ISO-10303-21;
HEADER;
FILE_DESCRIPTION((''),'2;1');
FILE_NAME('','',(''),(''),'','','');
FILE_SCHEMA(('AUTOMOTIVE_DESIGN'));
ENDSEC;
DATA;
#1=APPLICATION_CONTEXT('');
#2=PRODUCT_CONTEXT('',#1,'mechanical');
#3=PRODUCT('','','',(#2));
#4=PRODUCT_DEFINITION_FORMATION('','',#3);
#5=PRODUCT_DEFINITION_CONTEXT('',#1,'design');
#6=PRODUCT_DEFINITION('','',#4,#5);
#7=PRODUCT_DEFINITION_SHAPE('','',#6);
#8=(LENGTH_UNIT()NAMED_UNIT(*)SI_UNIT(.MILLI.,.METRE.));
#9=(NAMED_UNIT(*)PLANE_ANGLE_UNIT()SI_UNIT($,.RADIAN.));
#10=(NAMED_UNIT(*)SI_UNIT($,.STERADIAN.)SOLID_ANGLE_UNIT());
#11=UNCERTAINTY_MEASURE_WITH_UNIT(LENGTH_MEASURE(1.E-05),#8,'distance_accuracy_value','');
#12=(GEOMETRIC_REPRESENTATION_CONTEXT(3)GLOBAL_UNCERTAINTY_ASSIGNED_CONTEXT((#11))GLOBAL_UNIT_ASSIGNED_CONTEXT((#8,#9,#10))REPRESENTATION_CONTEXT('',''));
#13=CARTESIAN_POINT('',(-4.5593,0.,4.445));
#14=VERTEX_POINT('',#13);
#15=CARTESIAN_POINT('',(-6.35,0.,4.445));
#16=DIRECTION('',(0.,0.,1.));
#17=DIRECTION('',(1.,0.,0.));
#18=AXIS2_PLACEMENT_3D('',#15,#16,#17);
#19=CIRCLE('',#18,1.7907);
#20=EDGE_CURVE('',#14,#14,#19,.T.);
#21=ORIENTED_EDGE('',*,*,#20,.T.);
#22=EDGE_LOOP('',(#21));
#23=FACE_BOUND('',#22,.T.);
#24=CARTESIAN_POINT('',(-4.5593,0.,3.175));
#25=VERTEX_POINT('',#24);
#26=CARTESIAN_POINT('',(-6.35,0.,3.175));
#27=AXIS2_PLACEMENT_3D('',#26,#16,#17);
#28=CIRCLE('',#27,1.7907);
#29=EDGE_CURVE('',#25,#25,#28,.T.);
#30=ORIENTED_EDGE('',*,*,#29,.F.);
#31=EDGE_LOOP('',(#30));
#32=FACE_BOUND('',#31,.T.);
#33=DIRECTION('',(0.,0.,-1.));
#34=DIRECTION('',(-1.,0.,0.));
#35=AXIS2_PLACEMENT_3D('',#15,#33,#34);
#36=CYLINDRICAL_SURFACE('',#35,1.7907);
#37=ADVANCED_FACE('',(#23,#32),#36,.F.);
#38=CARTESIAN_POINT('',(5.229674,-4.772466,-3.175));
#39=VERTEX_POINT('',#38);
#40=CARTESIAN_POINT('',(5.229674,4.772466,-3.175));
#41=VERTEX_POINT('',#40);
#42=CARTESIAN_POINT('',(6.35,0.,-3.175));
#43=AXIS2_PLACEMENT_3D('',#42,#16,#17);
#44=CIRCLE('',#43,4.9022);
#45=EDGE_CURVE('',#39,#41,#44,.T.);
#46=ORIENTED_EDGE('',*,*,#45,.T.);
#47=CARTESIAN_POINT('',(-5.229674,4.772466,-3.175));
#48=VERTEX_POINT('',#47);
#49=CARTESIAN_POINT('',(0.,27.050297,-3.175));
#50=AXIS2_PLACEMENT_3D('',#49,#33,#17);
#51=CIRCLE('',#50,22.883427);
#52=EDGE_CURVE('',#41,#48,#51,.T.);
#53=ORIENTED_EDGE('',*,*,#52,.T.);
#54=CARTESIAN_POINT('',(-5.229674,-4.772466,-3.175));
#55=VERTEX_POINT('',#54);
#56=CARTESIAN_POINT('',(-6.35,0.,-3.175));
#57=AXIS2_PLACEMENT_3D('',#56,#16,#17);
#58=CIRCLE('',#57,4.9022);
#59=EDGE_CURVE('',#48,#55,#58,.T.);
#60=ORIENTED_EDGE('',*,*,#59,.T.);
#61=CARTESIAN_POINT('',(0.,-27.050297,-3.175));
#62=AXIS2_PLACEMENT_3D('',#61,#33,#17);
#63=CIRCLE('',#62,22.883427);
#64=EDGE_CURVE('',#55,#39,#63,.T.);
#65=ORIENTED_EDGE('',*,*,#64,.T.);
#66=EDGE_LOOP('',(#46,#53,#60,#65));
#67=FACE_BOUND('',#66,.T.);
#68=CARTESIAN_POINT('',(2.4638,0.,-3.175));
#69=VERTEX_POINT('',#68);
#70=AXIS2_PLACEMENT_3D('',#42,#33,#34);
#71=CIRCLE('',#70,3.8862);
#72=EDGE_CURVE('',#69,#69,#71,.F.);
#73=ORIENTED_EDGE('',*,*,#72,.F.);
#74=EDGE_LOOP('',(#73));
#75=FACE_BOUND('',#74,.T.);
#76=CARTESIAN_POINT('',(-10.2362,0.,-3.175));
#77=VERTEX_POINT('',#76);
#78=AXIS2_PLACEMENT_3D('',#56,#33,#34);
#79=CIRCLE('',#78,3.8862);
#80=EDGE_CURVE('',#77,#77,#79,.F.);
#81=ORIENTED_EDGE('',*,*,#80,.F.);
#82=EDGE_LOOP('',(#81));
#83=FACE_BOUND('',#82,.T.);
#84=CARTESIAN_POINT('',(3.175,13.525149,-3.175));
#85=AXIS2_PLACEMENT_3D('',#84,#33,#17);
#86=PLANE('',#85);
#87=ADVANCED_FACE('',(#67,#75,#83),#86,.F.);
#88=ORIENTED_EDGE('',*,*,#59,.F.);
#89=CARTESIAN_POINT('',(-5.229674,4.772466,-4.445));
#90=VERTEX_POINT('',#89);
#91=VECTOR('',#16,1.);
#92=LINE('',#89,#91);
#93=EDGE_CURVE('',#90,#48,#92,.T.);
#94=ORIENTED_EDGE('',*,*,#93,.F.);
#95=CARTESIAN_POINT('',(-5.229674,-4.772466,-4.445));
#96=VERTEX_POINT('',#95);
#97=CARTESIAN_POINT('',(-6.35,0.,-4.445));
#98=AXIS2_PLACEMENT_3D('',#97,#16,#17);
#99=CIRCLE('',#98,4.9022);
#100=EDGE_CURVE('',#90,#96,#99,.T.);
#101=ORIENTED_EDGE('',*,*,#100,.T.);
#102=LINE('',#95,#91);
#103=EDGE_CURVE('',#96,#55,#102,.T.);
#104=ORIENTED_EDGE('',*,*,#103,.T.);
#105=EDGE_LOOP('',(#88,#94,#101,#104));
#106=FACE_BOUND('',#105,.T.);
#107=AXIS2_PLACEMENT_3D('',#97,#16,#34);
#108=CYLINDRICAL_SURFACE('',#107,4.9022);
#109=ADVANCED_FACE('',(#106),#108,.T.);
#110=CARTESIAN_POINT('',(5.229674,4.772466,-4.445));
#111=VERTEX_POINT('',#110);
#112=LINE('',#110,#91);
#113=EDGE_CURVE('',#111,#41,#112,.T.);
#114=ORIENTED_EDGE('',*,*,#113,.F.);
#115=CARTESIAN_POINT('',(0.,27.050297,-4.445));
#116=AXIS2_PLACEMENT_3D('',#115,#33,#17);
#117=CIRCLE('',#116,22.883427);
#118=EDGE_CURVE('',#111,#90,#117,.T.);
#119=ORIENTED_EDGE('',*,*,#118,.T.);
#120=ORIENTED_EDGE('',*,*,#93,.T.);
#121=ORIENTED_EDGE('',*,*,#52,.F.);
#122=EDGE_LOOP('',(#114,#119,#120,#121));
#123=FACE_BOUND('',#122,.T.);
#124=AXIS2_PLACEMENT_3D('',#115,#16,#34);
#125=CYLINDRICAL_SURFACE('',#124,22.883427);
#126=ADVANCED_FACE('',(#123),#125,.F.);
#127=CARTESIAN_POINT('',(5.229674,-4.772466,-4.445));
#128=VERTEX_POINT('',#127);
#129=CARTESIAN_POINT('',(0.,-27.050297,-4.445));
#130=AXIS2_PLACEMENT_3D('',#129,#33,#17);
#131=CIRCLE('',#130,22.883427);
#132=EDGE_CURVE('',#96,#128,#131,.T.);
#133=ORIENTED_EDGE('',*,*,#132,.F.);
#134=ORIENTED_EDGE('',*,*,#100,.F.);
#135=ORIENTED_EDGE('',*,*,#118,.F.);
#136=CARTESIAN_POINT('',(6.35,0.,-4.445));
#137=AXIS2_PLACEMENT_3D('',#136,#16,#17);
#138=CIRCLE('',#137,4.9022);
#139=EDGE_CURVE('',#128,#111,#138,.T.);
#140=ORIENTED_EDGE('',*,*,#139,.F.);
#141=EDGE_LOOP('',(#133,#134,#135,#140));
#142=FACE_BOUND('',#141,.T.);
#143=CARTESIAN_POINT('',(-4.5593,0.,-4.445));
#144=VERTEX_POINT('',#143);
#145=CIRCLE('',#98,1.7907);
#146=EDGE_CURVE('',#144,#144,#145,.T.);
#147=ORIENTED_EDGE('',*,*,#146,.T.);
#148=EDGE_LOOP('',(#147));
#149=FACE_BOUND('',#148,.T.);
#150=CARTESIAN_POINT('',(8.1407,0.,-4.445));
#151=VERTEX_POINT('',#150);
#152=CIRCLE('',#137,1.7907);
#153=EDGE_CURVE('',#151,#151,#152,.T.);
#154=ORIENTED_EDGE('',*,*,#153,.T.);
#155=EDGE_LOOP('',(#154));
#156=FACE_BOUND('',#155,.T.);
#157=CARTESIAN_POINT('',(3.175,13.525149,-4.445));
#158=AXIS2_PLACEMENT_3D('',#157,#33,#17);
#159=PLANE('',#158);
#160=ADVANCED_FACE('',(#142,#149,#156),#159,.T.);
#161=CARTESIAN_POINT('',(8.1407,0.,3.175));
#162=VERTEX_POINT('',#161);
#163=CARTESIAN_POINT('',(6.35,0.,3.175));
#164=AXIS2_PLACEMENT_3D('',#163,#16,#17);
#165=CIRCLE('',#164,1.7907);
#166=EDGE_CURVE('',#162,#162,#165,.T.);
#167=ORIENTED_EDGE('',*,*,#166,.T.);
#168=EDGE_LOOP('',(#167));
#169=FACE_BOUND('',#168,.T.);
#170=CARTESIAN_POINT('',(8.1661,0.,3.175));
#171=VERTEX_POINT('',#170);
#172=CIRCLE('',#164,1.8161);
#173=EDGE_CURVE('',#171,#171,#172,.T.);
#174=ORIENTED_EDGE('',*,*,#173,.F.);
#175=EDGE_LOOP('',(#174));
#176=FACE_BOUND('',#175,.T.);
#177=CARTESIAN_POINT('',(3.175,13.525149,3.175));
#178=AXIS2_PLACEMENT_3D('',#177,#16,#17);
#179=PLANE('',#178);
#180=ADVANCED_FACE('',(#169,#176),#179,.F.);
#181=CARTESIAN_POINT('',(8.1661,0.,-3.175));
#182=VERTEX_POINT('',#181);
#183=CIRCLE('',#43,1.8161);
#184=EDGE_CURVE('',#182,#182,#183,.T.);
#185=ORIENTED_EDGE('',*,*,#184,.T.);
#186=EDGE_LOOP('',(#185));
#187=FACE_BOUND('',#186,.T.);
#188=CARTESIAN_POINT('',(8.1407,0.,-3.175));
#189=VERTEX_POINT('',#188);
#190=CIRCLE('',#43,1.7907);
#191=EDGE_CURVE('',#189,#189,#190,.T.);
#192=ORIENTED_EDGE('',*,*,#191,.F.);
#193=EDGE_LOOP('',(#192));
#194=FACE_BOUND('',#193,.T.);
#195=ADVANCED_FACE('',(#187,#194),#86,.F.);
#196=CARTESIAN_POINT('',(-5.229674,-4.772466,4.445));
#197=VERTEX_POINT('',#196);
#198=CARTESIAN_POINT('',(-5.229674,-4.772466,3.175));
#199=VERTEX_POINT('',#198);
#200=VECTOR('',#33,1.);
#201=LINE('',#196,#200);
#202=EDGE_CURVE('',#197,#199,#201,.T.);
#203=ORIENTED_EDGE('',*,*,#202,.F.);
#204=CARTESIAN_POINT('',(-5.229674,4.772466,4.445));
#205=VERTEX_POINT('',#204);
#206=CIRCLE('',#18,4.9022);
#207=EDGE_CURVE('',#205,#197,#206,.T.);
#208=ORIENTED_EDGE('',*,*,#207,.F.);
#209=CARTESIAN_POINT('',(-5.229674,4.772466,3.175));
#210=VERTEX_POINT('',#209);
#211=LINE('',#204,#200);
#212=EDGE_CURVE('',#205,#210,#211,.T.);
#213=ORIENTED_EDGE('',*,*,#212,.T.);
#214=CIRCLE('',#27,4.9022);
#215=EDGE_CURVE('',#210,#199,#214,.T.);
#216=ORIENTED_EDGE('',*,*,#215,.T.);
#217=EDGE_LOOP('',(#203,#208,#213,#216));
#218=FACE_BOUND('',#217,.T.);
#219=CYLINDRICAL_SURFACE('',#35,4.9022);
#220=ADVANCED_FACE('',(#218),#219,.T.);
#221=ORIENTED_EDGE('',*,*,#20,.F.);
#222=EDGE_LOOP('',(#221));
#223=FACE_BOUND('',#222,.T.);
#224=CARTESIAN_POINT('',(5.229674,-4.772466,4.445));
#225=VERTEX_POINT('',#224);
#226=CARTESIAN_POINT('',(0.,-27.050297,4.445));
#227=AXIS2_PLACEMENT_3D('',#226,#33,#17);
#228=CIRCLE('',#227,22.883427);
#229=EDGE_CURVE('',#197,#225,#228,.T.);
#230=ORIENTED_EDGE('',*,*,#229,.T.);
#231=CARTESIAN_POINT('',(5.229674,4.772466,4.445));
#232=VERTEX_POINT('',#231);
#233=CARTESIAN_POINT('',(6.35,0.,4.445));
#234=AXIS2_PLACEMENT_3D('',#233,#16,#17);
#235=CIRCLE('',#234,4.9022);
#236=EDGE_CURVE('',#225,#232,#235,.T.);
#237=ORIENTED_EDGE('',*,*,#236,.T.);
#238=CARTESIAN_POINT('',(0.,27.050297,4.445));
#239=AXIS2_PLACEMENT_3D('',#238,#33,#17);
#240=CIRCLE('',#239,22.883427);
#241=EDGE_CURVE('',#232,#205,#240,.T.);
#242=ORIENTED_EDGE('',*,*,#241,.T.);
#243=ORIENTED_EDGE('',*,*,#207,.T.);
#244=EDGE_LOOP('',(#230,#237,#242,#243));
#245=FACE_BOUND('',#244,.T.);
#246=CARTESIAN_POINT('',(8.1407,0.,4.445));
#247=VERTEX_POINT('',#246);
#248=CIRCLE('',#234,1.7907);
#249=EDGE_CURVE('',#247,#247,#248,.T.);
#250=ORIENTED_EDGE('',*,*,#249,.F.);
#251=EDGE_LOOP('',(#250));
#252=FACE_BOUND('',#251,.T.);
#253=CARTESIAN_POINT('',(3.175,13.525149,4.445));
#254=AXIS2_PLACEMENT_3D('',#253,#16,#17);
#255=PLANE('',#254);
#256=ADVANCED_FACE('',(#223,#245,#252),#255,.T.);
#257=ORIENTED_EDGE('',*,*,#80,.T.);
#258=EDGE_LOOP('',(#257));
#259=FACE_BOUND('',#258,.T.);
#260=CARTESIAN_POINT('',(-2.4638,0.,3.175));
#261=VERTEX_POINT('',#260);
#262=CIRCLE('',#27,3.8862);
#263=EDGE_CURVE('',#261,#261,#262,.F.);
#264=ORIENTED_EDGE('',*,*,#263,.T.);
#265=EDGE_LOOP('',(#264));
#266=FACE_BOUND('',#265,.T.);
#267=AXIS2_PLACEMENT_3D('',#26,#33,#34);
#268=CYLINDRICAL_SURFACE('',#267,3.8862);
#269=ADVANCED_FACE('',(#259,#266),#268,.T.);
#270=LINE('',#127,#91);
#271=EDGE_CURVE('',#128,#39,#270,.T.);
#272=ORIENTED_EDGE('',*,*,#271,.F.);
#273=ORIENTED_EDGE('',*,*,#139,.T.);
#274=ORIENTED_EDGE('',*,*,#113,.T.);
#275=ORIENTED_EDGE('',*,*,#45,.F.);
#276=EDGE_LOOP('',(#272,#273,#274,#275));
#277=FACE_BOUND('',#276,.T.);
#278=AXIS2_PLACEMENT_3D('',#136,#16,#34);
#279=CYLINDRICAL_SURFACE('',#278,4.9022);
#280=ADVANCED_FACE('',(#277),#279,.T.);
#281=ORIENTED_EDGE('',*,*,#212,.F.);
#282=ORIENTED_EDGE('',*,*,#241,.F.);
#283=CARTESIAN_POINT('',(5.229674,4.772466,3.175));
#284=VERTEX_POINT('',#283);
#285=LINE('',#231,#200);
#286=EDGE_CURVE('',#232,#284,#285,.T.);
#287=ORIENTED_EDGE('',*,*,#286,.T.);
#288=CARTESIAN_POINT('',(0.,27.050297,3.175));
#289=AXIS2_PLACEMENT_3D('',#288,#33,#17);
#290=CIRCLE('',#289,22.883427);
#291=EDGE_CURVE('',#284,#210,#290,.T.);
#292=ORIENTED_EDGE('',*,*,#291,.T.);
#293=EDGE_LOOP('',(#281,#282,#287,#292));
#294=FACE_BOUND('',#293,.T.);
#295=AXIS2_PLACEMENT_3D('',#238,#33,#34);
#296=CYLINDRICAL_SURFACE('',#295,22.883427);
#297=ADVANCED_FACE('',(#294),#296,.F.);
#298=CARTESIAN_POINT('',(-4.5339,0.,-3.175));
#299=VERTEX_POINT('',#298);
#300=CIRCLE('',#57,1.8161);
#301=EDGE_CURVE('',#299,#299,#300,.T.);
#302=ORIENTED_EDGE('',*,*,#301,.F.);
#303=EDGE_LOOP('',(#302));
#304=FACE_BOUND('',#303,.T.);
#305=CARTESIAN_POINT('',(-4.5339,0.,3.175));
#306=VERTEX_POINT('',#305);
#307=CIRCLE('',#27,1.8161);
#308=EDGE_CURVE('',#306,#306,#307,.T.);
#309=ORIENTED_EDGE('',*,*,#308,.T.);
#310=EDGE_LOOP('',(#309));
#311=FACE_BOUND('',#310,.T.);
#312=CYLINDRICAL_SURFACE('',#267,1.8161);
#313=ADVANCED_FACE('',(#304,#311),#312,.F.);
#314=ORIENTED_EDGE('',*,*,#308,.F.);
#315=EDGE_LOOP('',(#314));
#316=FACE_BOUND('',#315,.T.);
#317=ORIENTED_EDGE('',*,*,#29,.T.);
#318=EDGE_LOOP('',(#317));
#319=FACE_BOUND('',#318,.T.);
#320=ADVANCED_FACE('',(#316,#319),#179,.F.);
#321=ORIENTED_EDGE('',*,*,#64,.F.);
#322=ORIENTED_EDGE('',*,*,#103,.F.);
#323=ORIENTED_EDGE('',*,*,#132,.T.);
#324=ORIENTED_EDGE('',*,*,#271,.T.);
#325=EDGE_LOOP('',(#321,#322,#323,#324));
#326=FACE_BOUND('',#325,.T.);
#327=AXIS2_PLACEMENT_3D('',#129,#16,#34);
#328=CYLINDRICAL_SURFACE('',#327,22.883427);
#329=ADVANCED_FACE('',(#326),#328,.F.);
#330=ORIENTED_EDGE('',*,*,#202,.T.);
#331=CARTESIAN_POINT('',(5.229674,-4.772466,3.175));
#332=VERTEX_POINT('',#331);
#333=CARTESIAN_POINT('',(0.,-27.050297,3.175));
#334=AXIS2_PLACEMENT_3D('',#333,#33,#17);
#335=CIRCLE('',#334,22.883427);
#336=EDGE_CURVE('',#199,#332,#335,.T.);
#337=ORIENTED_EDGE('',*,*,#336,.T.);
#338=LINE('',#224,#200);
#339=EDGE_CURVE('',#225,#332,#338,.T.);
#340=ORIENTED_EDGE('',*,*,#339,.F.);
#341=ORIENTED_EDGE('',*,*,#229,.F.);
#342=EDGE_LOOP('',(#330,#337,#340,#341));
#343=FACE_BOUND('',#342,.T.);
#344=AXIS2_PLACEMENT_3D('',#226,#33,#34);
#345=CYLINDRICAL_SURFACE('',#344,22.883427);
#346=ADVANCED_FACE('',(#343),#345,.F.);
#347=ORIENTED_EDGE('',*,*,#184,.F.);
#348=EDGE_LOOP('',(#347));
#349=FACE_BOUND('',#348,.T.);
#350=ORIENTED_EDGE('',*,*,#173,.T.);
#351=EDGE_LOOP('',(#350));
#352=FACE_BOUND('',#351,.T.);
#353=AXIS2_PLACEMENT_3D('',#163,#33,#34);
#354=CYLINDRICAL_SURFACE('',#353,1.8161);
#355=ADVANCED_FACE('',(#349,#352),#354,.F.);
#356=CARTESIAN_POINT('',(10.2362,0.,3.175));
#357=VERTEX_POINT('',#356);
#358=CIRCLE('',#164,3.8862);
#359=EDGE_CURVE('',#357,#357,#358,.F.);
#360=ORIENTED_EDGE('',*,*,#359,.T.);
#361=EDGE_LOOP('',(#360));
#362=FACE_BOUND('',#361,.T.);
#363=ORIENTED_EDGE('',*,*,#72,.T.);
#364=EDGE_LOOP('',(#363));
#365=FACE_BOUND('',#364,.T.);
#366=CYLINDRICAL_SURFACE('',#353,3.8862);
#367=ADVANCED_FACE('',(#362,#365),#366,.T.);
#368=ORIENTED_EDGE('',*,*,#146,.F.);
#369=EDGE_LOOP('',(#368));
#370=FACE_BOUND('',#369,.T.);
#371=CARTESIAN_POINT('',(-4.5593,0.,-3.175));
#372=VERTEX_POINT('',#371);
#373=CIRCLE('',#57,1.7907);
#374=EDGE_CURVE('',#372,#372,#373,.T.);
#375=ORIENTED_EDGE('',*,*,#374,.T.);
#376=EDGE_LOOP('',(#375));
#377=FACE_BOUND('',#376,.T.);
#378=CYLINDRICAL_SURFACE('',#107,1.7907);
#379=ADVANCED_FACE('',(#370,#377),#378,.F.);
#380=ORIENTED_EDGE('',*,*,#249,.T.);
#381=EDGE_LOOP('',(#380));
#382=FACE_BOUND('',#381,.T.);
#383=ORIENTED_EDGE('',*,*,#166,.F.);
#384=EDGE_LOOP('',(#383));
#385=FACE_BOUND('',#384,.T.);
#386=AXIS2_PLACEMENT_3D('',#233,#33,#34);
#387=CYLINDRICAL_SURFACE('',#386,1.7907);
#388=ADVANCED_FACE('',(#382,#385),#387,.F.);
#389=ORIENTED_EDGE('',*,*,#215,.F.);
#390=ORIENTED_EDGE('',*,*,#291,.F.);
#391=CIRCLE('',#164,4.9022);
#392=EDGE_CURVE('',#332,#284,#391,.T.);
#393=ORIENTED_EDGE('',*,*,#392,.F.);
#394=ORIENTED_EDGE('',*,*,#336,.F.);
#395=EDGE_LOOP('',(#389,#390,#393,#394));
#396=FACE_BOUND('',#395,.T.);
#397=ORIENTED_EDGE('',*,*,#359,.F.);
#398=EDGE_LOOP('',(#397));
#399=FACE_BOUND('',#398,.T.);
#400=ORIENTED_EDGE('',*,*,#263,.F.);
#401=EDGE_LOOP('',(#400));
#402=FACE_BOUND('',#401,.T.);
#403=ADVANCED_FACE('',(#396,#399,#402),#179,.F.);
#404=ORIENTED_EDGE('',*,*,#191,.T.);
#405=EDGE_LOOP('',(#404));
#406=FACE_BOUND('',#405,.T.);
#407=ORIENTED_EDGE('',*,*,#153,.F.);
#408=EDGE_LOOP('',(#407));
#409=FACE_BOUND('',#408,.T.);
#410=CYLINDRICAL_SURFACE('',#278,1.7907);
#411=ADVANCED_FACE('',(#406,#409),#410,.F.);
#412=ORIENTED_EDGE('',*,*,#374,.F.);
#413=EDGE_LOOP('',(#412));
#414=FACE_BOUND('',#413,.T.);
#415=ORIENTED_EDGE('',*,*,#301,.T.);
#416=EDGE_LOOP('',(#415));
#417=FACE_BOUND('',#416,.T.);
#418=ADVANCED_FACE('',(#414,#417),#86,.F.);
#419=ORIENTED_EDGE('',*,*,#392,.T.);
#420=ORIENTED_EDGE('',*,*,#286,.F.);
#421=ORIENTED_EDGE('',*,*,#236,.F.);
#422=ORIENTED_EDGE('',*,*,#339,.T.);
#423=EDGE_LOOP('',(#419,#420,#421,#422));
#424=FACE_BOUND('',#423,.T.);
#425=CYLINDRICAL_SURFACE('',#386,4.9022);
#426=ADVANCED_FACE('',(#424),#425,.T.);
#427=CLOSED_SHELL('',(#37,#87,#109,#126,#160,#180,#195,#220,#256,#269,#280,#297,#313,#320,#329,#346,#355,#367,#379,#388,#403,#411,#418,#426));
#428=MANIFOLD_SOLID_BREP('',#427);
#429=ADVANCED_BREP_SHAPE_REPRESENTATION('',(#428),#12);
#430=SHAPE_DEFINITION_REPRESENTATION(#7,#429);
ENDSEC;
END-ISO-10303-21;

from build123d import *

# Parameters (mm, degrees)
SKETCH4_R             = 3.8862
SKETCH4_R_2           = 1.8161
BOSS_EXTRUDE1_DEPTH   = 3.175
BOSS_EXTRUDE1_2_DEPTH = 3.175
SKETCH5_R             = 1.7907
BOSS_EXTRUDE2_DEPTH   = 1.27


with BuildPart() as part:
    # Sketch4 → Boss-Extrude1 (new, symmetric)
    with BuildSketch(Plane.XY):
        with Locations((-6.35, 0)):
            Circle(SKETCH4_R)
        with Locations((-6.35, 0)):
            Circle(SKETCH4_R_2, mode=Mode.SUBTRACT)
    extrude(amount=BOSS_EXTRUDE1_DEPTH, both=True)


with BuildPart() as body_2:
    # Sketch4 → Boss-Extrude1 2 (new, symmetric)
    with BuildSketch(Plane.XY):
        with Locations((6.35, 0)):
            Circle(SKETCH4_R)
        with Locations((6.35, 0)):
            Circle(SKETCH4_R_2, mode=Mode.SUBTRACT)
    extrude(amount=BOSS_EXTRUDE1_2_DEPTH, both=True)


with BuildPart() as body_3:
    # Sketch5 → Boss-Extrude2 (new body)
    with BuildSketch(Plane.XY.offset(3.175)):
        with BuildLine():
            ThreePointArc((-5.229673653, 4.772466209), (-11.2522, 0), (-5.229673653, -4.772466209))
            ThreePointArc((-5.229673653, -4.772466209), (0, -4.16687), (5.229673653, -4.772466209))
            ThreePointArc((5.229673653, -4.772466209), (11.2522, 0), (5.229673653, 4.772466209))
            ThreePointArc((5.229673653, 4.772466209), (0, 4.16687), (-5.229673653, 4.772466209))
        make_face()
        with Locations((-6.35, 0)):
            Circle(SKETCH5_R, mode=Mode.SUBTRACT)
        with Locations((6.35, 0)):
            Circle(SKETCH5_R, mode=Mode.SUBTRACT)
    extrude(amount=BOSS_EXTRUDE2_DEPTH)


with BuildPart() as body_4:
    # Mirror3: mirrored copy
    add(body_3.part.mirror(Plane.XY))

    # Combine2: union body 3, body 2, part
    add(body_3.part)
    add(body_2.part)
    add(part.part)


solid = body_4.part
